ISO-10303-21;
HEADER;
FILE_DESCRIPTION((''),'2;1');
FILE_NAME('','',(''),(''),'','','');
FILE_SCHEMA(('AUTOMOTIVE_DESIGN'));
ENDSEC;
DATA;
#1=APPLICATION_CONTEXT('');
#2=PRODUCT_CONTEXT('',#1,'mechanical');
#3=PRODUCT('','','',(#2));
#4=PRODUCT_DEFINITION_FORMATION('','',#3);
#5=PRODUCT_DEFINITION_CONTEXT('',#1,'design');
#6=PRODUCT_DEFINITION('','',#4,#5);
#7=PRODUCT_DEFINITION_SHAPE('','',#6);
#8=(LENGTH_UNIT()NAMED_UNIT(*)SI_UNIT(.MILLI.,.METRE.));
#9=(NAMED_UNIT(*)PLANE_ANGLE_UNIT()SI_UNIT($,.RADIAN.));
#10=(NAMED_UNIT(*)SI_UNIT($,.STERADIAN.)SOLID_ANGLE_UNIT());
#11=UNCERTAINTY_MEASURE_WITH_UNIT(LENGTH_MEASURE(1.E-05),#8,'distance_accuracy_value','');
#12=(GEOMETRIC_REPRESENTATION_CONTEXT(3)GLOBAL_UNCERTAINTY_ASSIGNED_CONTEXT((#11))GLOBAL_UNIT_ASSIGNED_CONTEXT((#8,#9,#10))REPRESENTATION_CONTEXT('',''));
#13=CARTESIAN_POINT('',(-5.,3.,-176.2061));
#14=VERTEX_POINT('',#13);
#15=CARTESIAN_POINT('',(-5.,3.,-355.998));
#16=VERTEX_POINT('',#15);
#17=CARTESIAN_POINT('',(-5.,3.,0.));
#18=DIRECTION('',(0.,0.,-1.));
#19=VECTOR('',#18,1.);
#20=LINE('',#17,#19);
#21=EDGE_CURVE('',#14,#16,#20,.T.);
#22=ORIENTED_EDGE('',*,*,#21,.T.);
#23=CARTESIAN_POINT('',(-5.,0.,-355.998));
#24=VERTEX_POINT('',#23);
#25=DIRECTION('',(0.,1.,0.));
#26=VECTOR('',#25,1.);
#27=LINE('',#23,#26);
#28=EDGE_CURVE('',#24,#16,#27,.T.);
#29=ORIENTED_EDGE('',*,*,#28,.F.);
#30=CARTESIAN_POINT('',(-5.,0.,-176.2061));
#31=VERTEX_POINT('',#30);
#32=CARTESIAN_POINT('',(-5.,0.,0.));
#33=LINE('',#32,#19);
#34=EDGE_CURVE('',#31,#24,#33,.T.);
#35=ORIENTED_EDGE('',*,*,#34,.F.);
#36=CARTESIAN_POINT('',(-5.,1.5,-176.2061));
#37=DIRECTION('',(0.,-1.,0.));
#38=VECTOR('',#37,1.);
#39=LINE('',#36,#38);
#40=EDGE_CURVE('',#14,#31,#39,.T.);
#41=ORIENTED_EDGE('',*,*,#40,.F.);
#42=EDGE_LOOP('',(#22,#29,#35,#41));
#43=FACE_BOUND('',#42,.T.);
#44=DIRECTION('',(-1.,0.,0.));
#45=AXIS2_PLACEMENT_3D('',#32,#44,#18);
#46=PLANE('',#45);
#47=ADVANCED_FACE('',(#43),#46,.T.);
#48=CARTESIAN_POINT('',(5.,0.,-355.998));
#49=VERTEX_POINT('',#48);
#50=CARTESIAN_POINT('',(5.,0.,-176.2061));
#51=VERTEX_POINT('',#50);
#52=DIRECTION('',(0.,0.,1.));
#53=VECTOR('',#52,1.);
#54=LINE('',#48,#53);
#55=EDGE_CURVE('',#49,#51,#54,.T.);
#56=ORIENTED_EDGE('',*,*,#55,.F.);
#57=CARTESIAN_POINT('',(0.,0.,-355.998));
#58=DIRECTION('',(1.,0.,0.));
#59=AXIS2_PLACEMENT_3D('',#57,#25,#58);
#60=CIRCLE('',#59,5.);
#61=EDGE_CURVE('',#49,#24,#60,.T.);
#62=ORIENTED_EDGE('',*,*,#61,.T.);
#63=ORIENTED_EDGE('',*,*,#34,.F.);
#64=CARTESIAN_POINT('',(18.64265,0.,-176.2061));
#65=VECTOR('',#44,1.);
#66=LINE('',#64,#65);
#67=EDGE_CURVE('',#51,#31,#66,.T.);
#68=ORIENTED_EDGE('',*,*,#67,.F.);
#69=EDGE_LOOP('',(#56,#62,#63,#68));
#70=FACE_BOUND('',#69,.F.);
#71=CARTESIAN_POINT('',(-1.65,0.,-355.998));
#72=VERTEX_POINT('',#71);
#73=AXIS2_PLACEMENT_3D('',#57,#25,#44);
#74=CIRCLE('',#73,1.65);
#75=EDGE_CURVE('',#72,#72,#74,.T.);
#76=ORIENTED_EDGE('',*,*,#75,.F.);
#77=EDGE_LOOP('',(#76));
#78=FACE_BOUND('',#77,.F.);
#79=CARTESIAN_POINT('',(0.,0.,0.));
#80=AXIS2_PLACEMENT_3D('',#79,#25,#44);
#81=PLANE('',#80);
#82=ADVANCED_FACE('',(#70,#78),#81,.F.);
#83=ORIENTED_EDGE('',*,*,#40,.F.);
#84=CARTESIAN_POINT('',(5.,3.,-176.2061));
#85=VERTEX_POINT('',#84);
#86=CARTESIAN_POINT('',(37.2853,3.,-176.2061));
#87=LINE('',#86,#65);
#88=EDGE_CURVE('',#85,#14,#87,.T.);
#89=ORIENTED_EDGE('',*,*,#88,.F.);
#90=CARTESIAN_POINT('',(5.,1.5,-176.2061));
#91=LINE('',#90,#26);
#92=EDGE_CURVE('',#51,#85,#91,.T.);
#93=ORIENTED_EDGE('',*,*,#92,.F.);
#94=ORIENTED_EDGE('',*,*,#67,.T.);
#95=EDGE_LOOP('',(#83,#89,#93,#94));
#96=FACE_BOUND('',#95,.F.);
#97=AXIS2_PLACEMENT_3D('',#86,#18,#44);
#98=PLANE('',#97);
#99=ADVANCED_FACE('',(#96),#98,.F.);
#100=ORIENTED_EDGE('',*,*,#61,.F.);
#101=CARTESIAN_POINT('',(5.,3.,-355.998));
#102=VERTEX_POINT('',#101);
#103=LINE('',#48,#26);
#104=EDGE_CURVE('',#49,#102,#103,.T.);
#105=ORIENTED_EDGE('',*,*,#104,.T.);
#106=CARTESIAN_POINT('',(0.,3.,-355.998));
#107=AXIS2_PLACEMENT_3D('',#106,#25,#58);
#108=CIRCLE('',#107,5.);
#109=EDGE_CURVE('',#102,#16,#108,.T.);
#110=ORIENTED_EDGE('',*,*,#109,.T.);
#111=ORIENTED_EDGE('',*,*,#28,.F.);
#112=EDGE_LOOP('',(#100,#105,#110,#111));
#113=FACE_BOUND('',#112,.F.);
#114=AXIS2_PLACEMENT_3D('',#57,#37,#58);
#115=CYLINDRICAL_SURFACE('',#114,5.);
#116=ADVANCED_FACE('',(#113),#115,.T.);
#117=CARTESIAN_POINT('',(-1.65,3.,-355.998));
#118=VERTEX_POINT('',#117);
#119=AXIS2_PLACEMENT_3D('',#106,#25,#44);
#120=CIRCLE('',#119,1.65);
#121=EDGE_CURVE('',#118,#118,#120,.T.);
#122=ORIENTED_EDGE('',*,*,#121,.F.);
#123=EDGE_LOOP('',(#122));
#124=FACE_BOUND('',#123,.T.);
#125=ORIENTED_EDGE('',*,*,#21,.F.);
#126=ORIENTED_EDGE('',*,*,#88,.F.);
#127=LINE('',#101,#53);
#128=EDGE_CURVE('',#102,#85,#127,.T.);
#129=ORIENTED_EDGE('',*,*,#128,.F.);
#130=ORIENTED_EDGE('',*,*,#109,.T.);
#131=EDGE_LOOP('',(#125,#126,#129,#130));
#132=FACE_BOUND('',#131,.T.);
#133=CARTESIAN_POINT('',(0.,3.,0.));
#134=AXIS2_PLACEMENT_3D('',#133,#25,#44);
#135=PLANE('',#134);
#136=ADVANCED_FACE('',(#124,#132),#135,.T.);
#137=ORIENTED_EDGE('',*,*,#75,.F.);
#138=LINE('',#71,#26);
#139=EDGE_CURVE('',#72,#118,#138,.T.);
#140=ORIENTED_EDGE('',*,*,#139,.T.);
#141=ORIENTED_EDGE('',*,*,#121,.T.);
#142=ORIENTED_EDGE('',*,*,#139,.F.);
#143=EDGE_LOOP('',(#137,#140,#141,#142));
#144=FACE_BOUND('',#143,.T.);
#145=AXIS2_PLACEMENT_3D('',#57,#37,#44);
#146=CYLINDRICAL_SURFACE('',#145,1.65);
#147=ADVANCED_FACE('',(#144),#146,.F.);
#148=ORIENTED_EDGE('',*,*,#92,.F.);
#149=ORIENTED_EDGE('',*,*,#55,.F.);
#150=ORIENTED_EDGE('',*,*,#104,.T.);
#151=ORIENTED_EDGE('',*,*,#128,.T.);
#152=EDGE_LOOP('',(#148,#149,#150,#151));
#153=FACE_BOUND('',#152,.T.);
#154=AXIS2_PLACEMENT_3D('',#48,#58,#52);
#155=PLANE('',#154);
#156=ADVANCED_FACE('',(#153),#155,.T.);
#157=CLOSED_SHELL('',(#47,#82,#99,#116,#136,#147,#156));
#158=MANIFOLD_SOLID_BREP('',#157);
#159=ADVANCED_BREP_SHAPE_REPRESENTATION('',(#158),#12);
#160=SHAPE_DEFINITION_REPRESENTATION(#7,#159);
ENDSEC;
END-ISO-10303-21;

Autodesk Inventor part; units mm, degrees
ref_plane "YZ Plane" through (0, 0, 0) normal (1, 0, 0) x (0, 1, 0)
ref_plane "XZ Plane" through (0, 0, 0) normal (0, 1, 0) x (-1, 0, 0)
ref_plane "XY Plane" through (0, 0, 0) normal (0, 0, 1) x (1, 0, 0)
sketch "Sketch1" plane through (0, 0, 0) normal (0, 1, 0) x (-1, 0, 0)
  line L0 (0, 0) -> (0, -355.998) construction
  line L1 (5, 0) -> (5, -355.998)
  line L2 (-5, -355.998) -> (-5, 0)
  arc A0 (5, 0) -> (-5, 0) centre (0, 0) ccw
  arc A1 (-5, -355.998) -> (5, -355.998) centre (0, -355.998) ccw
  circle A2 centre (0, 0) radius 1.65
  circle A3 centre (0, -355.998) radius 1.65
  circle A4 centre (0, -57.376) radius 1.65
  point P0 (0, -177.999)
  dimension "d0" = 3.3
  dimension "d1" = 3.3
  dimension "d2" = 10
  dimension "d3" = 355.998
  dimension "d14" = 3.3
  dimension "d15" = 57.376
extrude "Extrusion1" add sketch "Sketch1" along normal blind 3
sketch "Sketch2" plane through (0, 3, 0) normal (0, 1, 0) x (1, 0, 0)
  line L0 (-26.2185, 378.6248) -> (37.2853, 378.6248)
  line L1 (37.2853, 378.6248) -> (37.2853, 176.2061)
  line L2 (37.2853, 176.2061) -> (-26.2185, 176.2061)
  line L3 (-26.2185, 176.2061) -> (-26.2185, 378.6248)
  line L4 (-95.1798, 405.4155) -> (74.9908, 405.4155)
  line L5 (74.9908, 405.4155) -> (74.9908, -44.073)
  line L6 (74.9908, -44.073) -> (-95.1798, -44.073)
  line L7 (-95.1798, -44.073) -> (-95.1798, 405.4155)
  point P0 (0, 0)
extrude "Extrusion2" cut sketch "Sketch2" against normal blind 10
properties part number "Part_10_p2"
